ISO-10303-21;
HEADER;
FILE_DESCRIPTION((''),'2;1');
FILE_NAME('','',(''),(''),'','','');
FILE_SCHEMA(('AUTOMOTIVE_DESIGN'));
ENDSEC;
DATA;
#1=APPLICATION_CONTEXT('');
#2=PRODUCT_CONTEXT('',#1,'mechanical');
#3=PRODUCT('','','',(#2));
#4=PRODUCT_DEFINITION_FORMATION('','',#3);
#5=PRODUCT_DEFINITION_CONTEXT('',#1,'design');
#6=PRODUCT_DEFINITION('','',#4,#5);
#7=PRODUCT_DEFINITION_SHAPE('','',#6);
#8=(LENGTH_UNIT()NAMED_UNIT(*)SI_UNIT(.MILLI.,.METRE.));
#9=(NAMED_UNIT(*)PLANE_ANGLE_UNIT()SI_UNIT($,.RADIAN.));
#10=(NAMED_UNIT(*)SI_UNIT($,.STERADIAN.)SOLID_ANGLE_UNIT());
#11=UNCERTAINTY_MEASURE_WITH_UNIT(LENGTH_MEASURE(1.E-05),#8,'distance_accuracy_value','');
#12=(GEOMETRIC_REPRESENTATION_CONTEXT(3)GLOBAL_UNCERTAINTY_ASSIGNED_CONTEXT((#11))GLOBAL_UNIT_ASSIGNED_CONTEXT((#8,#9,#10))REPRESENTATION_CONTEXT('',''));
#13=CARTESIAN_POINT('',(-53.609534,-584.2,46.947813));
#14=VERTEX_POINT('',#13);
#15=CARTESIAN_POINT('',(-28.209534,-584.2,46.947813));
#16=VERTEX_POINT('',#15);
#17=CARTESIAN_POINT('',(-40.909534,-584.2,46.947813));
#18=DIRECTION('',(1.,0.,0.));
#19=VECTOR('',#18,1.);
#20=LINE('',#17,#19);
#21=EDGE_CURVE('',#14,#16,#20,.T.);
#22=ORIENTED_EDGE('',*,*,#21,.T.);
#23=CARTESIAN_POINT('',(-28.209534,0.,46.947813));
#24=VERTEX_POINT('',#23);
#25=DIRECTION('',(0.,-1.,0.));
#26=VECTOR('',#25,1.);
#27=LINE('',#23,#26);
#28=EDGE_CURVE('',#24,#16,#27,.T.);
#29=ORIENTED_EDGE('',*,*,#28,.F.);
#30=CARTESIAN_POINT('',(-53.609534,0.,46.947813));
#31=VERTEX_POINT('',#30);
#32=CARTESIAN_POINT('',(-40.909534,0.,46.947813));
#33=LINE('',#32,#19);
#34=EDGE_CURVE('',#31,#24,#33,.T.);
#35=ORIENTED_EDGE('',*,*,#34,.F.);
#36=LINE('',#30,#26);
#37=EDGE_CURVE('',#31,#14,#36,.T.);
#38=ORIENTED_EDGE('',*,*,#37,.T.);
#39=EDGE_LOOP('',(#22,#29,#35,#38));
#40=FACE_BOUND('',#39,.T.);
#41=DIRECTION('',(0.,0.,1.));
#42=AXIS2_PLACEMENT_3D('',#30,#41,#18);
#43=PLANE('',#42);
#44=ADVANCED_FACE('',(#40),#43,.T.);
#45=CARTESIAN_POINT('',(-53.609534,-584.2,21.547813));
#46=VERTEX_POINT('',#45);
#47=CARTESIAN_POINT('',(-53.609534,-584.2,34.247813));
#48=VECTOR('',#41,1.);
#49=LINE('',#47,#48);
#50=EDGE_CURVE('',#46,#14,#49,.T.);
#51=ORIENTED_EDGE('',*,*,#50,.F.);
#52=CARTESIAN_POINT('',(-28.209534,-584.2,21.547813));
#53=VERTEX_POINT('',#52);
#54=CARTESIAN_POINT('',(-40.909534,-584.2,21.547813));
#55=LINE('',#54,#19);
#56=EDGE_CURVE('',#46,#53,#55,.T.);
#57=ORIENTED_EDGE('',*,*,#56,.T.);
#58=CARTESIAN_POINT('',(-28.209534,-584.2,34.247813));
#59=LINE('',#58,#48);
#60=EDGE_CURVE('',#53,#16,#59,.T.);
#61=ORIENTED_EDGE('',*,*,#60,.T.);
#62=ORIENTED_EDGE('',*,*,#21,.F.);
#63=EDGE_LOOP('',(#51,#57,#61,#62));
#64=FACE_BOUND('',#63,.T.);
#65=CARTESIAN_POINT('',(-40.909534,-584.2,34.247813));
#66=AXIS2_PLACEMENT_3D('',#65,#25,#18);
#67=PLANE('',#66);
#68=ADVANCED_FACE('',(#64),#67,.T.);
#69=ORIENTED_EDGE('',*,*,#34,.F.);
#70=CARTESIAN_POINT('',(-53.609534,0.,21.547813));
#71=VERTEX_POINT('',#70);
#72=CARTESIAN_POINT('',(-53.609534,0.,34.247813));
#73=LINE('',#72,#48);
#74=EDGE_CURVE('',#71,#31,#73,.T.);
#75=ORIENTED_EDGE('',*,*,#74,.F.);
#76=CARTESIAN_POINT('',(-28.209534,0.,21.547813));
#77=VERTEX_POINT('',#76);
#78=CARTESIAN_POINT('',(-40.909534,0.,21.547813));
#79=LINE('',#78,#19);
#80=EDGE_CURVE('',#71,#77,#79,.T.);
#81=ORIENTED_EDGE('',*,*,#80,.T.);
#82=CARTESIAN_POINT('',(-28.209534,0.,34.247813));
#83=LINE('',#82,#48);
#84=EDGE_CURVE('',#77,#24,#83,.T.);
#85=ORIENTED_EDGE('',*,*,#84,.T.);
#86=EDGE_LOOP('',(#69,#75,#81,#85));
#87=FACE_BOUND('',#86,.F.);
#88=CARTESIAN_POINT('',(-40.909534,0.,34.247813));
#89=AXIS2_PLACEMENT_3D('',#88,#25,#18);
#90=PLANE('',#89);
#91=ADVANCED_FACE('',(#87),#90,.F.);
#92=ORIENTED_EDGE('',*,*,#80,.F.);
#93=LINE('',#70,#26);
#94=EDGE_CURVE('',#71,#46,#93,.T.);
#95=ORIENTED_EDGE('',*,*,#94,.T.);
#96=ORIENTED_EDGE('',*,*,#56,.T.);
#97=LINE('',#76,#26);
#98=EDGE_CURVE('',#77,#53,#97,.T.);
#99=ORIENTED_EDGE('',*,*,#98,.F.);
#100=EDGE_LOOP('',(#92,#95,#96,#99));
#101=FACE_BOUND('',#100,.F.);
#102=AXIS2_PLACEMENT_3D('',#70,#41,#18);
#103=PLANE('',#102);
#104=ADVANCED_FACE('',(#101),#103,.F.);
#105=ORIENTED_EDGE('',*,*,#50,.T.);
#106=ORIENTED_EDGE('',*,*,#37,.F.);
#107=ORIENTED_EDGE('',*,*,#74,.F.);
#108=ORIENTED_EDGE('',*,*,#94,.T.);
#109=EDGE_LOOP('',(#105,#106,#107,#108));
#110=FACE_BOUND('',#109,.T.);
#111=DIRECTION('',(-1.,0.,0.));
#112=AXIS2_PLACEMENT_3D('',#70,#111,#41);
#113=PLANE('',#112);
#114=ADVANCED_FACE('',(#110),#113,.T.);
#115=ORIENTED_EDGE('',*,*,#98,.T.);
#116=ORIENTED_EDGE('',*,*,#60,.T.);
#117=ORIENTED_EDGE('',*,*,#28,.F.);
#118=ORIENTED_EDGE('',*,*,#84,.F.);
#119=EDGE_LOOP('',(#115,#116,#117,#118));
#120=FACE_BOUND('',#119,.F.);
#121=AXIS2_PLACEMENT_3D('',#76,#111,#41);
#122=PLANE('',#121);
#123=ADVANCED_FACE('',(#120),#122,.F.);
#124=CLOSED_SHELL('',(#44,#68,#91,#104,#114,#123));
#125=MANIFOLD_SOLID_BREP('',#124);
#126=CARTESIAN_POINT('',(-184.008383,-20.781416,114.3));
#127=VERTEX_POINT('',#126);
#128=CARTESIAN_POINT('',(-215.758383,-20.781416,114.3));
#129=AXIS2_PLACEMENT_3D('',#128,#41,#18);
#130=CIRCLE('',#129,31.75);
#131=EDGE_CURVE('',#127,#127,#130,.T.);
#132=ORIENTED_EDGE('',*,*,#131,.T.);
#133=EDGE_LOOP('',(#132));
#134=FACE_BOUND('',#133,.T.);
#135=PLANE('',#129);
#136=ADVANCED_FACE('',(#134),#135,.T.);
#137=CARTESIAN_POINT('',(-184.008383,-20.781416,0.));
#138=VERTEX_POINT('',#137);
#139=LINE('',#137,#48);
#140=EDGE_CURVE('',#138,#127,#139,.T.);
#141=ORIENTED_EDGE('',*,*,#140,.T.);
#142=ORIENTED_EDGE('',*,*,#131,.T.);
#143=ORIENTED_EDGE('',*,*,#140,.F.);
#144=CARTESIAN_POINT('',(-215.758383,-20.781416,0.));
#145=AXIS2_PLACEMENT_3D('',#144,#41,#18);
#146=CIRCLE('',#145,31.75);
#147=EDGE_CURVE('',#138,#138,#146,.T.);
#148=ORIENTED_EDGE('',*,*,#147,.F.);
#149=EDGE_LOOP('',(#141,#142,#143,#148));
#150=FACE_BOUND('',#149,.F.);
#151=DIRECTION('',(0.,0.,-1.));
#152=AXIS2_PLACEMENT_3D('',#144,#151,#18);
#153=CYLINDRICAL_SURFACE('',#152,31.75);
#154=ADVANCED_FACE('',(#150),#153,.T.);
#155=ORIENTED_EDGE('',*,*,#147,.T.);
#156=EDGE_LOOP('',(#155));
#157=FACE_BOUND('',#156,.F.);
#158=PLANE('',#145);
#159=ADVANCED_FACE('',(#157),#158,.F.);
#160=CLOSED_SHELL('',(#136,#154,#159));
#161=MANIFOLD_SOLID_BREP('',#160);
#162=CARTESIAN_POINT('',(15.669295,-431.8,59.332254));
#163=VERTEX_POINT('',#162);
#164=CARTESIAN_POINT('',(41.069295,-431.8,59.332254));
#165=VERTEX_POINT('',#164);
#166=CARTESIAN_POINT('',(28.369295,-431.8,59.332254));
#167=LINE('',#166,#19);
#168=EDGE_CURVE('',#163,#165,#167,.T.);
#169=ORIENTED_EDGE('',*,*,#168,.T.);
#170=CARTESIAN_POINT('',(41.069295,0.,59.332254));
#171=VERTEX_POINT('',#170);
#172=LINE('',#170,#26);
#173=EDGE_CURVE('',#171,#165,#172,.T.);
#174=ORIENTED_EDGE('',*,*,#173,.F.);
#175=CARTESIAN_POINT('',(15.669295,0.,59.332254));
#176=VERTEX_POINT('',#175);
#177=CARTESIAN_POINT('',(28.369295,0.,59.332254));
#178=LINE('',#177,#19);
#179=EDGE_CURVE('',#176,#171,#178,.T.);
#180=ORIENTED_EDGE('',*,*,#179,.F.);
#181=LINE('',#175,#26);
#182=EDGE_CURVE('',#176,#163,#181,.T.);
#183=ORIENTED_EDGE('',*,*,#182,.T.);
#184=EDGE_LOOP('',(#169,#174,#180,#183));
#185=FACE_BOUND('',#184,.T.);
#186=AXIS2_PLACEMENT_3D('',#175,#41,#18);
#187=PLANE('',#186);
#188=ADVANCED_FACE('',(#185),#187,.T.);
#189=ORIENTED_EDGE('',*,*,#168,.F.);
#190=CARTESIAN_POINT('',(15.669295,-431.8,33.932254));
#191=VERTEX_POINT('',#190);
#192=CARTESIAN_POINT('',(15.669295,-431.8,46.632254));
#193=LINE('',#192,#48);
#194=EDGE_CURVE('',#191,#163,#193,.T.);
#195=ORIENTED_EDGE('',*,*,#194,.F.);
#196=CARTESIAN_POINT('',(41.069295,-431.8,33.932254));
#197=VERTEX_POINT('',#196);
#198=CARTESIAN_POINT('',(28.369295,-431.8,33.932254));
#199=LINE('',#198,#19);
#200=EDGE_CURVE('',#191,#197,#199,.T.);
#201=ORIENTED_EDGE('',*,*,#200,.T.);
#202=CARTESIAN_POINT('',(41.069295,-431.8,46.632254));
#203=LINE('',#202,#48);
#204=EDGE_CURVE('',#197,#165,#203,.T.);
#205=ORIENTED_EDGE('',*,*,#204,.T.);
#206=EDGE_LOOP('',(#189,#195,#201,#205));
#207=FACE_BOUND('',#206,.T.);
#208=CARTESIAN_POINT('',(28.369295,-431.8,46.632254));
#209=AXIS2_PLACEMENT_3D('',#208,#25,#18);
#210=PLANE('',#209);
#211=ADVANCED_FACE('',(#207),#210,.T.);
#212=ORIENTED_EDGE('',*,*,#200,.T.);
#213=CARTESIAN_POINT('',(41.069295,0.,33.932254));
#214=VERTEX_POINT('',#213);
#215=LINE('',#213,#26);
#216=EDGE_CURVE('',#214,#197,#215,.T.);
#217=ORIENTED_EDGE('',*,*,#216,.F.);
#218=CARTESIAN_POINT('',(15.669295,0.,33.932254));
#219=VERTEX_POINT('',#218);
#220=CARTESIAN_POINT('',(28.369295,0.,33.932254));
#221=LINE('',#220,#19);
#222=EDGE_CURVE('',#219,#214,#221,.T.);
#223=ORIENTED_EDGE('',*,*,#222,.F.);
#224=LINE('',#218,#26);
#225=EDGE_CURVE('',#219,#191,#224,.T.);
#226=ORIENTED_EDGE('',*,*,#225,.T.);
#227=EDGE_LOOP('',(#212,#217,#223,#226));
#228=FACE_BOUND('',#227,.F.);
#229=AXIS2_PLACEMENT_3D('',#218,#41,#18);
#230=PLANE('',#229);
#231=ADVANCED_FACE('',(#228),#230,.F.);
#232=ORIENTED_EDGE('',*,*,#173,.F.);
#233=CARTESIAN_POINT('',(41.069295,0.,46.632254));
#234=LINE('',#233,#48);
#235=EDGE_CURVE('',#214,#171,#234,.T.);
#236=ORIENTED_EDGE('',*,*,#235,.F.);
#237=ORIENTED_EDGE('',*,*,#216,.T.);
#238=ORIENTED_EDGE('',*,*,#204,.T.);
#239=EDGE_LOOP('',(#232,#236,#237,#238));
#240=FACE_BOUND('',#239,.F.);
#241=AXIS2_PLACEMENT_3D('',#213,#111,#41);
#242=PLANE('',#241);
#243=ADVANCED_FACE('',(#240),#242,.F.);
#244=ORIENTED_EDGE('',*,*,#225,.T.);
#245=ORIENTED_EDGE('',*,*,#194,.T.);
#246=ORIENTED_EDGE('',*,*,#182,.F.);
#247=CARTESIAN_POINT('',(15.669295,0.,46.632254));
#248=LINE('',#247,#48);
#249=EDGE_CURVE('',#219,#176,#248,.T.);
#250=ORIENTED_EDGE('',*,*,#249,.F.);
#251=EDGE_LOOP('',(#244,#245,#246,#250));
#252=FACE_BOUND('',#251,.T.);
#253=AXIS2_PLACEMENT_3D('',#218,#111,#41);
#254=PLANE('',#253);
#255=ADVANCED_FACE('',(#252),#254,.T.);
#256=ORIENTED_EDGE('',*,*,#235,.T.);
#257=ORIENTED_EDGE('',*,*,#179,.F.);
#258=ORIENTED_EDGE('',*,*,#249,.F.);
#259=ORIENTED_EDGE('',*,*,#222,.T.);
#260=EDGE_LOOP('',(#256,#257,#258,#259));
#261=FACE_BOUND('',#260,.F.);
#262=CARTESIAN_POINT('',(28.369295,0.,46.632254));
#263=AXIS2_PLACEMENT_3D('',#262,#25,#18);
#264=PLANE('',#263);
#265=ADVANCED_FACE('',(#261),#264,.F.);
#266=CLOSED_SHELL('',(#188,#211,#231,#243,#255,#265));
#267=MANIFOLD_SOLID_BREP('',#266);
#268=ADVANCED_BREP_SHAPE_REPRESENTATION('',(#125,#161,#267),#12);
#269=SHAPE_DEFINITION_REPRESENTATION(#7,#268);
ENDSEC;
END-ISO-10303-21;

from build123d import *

# Parameters (mm, degrees)
F0_W     = 25.4
F0_H     = 25.4
F1_DEPTH = 584.2
F2_W     = 25.4
F2_H     = 25.4
F3_DEPTH = 431.8
F4_R     = 31.75
F5_DEPTH = 114.3


with BuildPart() as f1:
    # F0 (on Front) → F1 (new body)
    with BuildSketch(Plane.XZ):
        with Locations((-40.909534, 34.247813)):
            Rectangle(F0_W, F0_H)
    extrude(amount=F1_DEPTH)


with BuildPart() as f3:
    # F2 (on Front) → F3 (new body)
    with BuildSketch(Plane.XZ):
        with Locations((28.369295, 46.632254)):
            Rectangle(F2_W, F2_H)
    extrude(amount=F3_DEPTH)


with BuildPart() as f5:
    # F4 (on Top) → F5 (new body)
    with BuildSketch(Plane.XY):
        with Locations((-215.758383, -20.781416)):
            Circle(F4_R)
    extrude(amount=F5_DEPTH)


solid = Compound([f1.part, f3.part, f5.part])
